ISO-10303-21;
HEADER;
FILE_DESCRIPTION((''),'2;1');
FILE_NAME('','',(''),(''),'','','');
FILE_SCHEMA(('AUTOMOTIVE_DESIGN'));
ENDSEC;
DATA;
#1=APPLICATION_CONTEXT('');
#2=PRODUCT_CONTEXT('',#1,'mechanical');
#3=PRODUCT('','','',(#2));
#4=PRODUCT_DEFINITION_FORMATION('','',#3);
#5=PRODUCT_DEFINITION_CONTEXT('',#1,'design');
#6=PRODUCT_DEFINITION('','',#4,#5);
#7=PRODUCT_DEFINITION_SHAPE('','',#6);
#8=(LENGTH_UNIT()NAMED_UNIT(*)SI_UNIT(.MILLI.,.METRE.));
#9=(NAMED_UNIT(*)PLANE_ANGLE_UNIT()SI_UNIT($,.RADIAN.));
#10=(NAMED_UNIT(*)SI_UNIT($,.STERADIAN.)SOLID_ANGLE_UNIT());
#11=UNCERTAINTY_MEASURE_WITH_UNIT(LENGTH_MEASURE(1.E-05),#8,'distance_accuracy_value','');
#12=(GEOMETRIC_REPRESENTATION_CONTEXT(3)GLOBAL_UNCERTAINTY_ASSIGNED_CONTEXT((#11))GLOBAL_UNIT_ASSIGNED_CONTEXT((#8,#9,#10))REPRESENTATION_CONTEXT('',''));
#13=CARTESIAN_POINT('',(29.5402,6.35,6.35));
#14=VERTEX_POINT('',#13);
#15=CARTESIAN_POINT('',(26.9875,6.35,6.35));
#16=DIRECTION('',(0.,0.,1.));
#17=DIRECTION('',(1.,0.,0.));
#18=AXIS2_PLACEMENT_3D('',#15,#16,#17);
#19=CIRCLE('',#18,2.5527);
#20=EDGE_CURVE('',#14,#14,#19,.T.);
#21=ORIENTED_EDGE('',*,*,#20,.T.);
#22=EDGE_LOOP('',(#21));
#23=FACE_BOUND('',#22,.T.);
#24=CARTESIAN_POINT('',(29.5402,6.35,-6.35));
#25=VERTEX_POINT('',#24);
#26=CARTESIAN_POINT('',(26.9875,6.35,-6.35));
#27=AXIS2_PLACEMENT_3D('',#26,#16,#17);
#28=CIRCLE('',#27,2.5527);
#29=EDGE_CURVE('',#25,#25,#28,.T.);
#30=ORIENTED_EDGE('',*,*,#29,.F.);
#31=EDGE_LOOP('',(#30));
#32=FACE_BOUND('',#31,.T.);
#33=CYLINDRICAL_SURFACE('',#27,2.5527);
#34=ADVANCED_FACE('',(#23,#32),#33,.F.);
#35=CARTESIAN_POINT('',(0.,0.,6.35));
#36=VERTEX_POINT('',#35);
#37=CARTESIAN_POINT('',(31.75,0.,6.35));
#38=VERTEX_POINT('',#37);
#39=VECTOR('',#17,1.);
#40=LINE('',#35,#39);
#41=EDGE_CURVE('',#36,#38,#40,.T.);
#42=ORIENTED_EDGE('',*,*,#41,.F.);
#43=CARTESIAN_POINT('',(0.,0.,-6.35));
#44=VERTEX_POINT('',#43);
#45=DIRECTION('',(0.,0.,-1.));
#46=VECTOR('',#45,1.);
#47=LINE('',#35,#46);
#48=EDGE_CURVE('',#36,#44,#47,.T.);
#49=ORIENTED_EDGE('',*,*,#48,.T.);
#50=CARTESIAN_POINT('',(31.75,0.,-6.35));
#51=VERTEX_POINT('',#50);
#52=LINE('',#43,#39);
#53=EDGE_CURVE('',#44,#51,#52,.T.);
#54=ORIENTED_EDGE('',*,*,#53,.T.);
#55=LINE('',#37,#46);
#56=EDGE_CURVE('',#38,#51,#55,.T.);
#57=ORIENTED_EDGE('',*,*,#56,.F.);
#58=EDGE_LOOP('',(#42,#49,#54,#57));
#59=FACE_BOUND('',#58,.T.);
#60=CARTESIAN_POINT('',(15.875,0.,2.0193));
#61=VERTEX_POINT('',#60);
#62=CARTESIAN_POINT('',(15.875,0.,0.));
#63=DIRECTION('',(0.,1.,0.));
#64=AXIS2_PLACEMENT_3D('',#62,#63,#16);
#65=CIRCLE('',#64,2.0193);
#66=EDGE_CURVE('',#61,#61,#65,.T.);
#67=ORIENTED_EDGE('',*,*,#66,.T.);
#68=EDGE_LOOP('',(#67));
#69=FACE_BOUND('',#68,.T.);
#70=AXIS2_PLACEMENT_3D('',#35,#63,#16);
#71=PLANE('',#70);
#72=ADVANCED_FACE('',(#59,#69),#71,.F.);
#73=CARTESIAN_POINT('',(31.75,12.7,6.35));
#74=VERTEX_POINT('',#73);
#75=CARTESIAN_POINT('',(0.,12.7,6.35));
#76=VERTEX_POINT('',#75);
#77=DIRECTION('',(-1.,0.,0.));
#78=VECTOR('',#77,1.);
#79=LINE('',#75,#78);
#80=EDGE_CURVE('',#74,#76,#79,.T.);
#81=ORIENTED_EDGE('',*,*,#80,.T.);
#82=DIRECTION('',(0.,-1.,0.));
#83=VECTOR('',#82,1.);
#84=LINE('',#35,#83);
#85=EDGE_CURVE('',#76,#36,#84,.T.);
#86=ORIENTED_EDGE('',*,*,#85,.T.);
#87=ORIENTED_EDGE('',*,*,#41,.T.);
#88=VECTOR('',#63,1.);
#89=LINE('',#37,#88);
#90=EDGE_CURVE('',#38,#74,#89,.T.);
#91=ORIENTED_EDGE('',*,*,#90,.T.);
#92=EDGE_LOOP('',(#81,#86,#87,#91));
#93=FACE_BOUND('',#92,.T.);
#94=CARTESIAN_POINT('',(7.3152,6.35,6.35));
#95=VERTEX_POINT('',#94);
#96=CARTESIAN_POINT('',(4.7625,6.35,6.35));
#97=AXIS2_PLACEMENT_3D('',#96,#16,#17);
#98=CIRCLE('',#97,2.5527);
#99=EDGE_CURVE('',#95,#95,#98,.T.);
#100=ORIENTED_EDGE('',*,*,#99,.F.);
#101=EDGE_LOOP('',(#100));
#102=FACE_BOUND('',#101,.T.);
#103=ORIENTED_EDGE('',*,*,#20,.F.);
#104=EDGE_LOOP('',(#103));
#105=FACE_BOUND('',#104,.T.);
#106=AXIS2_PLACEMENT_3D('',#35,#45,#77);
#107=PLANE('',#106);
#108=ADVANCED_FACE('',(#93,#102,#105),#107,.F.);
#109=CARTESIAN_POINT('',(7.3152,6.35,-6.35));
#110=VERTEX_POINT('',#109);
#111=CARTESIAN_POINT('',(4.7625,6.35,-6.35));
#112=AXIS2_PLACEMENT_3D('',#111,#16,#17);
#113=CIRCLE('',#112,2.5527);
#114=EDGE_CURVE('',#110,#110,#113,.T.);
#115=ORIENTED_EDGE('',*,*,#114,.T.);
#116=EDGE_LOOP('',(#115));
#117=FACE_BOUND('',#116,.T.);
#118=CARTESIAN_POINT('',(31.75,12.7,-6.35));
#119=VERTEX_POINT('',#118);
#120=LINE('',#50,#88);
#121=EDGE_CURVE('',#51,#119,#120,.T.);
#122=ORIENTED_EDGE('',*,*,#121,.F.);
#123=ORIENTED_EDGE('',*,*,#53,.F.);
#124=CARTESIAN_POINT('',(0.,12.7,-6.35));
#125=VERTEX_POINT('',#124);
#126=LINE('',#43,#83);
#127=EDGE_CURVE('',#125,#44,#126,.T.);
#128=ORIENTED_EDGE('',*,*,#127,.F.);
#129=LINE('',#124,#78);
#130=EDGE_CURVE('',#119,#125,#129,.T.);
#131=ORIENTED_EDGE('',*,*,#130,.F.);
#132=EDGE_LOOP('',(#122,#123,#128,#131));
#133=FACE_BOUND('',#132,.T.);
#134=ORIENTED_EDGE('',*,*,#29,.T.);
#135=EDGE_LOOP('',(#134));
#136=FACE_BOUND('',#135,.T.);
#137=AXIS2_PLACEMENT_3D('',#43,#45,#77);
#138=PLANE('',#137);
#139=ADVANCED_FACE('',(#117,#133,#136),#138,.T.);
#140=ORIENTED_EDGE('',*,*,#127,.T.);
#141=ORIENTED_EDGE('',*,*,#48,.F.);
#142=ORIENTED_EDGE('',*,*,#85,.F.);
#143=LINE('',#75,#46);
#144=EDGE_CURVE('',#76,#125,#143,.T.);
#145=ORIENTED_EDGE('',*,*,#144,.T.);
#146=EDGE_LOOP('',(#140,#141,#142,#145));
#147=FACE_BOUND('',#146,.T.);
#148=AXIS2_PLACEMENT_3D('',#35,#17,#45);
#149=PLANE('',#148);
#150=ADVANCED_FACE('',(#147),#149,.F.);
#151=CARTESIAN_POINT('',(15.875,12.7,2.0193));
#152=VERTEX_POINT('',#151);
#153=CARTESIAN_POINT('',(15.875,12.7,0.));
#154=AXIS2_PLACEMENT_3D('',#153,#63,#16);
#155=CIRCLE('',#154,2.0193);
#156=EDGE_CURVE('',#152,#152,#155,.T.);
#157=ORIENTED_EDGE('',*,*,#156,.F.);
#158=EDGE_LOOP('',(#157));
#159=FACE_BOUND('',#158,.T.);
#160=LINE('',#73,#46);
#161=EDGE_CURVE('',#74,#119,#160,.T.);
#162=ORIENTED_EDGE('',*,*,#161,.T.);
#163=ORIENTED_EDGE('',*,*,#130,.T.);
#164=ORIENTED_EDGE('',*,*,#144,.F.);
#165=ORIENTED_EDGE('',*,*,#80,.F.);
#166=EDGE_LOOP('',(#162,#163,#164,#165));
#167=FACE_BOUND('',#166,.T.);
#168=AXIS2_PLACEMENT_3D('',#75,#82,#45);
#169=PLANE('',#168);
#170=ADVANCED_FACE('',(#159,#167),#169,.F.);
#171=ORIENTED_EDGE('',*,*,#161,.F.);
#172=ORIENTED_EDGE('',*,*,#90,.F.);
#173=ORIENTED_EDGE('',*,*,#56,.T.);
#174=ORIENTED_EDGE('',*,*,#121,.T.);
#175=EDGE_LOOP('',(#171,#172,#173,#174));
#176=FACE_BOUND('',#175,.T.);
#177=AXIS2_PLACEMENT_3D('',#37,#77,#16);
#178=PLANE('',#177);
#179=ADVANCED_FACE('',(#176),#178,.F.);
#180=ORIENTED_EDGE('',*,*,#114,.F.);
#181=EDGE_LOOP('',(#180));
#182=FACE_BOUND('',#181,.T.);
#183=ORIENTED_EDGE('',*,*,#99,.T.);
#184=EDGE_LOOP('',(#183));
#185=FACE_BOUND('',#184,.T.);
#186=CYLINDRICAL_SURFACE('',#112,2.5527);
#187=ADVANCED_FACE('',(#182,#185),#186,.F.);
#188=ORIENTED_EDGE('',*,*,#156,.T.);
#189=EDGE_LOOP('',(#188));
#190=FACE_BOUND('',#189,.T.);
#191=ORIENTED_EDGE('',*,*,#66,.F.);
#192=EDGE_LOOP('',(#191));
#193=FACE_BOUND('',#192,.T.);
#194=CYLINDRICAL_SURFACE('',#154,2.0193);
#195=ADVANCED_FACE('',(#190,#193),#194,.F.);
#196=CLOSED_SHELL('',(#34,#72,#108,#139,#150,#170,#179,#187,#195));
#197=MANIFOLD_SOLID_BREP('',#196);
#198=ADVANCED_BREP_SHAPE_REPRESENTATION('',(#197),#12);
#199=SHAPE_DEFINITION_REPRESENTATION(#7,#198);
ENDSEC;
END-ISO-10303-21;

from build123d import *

# Parameters (mm, degrees)
SKETCH1_W              = 31.75
SKETCH1_H              = 12.7
BOSS_EXTRUDE1_DEPTH    = 6.35
SKETCH2_R              = 2.5527
CUT_EXTRUDE1_DEPTH     = 37.477972806
F_10_32_TAPPED_HOLE1_D = 4.0386


with BuildPart() as part:
    # Sketch1 → Boss-Extrude1 (new, symmetric)
    with BuildSketch(Plane.XY):
        with Locations((15.875, 6.35)):
            Rectangle(SKETCH1_W, SKETCH1_H)
    extrude(amount=BOSS_EXTRUDE1_DEPTH, both=True)

    # Sketch2 → Cut-Extrude1 (cut, through all)
    with BuildSketch(Plane.XY.offset(6.35)):
        with Locations((4.7625, 6.35)):
            Circle(SKETCH2_R)
        with Locations((26.9875, 6.35)):
            Circle(SKETCH2_R)
    extrude(amount=-CUT_EXTRUDE1_DEPTH, mode=Mode.SUBTRACT)

    # #10-32 Tapped Hole1 (through all)
    with Locations(Plane(origin=(15.875, 12.7, 0), x_dir=(0, 0, 1), z_dir=(0, 1, 0))):
        with Locations((0, 0)):
            Hole(F_10_32_TAPPED_HOLE1_D / 2)


solid = part.part
